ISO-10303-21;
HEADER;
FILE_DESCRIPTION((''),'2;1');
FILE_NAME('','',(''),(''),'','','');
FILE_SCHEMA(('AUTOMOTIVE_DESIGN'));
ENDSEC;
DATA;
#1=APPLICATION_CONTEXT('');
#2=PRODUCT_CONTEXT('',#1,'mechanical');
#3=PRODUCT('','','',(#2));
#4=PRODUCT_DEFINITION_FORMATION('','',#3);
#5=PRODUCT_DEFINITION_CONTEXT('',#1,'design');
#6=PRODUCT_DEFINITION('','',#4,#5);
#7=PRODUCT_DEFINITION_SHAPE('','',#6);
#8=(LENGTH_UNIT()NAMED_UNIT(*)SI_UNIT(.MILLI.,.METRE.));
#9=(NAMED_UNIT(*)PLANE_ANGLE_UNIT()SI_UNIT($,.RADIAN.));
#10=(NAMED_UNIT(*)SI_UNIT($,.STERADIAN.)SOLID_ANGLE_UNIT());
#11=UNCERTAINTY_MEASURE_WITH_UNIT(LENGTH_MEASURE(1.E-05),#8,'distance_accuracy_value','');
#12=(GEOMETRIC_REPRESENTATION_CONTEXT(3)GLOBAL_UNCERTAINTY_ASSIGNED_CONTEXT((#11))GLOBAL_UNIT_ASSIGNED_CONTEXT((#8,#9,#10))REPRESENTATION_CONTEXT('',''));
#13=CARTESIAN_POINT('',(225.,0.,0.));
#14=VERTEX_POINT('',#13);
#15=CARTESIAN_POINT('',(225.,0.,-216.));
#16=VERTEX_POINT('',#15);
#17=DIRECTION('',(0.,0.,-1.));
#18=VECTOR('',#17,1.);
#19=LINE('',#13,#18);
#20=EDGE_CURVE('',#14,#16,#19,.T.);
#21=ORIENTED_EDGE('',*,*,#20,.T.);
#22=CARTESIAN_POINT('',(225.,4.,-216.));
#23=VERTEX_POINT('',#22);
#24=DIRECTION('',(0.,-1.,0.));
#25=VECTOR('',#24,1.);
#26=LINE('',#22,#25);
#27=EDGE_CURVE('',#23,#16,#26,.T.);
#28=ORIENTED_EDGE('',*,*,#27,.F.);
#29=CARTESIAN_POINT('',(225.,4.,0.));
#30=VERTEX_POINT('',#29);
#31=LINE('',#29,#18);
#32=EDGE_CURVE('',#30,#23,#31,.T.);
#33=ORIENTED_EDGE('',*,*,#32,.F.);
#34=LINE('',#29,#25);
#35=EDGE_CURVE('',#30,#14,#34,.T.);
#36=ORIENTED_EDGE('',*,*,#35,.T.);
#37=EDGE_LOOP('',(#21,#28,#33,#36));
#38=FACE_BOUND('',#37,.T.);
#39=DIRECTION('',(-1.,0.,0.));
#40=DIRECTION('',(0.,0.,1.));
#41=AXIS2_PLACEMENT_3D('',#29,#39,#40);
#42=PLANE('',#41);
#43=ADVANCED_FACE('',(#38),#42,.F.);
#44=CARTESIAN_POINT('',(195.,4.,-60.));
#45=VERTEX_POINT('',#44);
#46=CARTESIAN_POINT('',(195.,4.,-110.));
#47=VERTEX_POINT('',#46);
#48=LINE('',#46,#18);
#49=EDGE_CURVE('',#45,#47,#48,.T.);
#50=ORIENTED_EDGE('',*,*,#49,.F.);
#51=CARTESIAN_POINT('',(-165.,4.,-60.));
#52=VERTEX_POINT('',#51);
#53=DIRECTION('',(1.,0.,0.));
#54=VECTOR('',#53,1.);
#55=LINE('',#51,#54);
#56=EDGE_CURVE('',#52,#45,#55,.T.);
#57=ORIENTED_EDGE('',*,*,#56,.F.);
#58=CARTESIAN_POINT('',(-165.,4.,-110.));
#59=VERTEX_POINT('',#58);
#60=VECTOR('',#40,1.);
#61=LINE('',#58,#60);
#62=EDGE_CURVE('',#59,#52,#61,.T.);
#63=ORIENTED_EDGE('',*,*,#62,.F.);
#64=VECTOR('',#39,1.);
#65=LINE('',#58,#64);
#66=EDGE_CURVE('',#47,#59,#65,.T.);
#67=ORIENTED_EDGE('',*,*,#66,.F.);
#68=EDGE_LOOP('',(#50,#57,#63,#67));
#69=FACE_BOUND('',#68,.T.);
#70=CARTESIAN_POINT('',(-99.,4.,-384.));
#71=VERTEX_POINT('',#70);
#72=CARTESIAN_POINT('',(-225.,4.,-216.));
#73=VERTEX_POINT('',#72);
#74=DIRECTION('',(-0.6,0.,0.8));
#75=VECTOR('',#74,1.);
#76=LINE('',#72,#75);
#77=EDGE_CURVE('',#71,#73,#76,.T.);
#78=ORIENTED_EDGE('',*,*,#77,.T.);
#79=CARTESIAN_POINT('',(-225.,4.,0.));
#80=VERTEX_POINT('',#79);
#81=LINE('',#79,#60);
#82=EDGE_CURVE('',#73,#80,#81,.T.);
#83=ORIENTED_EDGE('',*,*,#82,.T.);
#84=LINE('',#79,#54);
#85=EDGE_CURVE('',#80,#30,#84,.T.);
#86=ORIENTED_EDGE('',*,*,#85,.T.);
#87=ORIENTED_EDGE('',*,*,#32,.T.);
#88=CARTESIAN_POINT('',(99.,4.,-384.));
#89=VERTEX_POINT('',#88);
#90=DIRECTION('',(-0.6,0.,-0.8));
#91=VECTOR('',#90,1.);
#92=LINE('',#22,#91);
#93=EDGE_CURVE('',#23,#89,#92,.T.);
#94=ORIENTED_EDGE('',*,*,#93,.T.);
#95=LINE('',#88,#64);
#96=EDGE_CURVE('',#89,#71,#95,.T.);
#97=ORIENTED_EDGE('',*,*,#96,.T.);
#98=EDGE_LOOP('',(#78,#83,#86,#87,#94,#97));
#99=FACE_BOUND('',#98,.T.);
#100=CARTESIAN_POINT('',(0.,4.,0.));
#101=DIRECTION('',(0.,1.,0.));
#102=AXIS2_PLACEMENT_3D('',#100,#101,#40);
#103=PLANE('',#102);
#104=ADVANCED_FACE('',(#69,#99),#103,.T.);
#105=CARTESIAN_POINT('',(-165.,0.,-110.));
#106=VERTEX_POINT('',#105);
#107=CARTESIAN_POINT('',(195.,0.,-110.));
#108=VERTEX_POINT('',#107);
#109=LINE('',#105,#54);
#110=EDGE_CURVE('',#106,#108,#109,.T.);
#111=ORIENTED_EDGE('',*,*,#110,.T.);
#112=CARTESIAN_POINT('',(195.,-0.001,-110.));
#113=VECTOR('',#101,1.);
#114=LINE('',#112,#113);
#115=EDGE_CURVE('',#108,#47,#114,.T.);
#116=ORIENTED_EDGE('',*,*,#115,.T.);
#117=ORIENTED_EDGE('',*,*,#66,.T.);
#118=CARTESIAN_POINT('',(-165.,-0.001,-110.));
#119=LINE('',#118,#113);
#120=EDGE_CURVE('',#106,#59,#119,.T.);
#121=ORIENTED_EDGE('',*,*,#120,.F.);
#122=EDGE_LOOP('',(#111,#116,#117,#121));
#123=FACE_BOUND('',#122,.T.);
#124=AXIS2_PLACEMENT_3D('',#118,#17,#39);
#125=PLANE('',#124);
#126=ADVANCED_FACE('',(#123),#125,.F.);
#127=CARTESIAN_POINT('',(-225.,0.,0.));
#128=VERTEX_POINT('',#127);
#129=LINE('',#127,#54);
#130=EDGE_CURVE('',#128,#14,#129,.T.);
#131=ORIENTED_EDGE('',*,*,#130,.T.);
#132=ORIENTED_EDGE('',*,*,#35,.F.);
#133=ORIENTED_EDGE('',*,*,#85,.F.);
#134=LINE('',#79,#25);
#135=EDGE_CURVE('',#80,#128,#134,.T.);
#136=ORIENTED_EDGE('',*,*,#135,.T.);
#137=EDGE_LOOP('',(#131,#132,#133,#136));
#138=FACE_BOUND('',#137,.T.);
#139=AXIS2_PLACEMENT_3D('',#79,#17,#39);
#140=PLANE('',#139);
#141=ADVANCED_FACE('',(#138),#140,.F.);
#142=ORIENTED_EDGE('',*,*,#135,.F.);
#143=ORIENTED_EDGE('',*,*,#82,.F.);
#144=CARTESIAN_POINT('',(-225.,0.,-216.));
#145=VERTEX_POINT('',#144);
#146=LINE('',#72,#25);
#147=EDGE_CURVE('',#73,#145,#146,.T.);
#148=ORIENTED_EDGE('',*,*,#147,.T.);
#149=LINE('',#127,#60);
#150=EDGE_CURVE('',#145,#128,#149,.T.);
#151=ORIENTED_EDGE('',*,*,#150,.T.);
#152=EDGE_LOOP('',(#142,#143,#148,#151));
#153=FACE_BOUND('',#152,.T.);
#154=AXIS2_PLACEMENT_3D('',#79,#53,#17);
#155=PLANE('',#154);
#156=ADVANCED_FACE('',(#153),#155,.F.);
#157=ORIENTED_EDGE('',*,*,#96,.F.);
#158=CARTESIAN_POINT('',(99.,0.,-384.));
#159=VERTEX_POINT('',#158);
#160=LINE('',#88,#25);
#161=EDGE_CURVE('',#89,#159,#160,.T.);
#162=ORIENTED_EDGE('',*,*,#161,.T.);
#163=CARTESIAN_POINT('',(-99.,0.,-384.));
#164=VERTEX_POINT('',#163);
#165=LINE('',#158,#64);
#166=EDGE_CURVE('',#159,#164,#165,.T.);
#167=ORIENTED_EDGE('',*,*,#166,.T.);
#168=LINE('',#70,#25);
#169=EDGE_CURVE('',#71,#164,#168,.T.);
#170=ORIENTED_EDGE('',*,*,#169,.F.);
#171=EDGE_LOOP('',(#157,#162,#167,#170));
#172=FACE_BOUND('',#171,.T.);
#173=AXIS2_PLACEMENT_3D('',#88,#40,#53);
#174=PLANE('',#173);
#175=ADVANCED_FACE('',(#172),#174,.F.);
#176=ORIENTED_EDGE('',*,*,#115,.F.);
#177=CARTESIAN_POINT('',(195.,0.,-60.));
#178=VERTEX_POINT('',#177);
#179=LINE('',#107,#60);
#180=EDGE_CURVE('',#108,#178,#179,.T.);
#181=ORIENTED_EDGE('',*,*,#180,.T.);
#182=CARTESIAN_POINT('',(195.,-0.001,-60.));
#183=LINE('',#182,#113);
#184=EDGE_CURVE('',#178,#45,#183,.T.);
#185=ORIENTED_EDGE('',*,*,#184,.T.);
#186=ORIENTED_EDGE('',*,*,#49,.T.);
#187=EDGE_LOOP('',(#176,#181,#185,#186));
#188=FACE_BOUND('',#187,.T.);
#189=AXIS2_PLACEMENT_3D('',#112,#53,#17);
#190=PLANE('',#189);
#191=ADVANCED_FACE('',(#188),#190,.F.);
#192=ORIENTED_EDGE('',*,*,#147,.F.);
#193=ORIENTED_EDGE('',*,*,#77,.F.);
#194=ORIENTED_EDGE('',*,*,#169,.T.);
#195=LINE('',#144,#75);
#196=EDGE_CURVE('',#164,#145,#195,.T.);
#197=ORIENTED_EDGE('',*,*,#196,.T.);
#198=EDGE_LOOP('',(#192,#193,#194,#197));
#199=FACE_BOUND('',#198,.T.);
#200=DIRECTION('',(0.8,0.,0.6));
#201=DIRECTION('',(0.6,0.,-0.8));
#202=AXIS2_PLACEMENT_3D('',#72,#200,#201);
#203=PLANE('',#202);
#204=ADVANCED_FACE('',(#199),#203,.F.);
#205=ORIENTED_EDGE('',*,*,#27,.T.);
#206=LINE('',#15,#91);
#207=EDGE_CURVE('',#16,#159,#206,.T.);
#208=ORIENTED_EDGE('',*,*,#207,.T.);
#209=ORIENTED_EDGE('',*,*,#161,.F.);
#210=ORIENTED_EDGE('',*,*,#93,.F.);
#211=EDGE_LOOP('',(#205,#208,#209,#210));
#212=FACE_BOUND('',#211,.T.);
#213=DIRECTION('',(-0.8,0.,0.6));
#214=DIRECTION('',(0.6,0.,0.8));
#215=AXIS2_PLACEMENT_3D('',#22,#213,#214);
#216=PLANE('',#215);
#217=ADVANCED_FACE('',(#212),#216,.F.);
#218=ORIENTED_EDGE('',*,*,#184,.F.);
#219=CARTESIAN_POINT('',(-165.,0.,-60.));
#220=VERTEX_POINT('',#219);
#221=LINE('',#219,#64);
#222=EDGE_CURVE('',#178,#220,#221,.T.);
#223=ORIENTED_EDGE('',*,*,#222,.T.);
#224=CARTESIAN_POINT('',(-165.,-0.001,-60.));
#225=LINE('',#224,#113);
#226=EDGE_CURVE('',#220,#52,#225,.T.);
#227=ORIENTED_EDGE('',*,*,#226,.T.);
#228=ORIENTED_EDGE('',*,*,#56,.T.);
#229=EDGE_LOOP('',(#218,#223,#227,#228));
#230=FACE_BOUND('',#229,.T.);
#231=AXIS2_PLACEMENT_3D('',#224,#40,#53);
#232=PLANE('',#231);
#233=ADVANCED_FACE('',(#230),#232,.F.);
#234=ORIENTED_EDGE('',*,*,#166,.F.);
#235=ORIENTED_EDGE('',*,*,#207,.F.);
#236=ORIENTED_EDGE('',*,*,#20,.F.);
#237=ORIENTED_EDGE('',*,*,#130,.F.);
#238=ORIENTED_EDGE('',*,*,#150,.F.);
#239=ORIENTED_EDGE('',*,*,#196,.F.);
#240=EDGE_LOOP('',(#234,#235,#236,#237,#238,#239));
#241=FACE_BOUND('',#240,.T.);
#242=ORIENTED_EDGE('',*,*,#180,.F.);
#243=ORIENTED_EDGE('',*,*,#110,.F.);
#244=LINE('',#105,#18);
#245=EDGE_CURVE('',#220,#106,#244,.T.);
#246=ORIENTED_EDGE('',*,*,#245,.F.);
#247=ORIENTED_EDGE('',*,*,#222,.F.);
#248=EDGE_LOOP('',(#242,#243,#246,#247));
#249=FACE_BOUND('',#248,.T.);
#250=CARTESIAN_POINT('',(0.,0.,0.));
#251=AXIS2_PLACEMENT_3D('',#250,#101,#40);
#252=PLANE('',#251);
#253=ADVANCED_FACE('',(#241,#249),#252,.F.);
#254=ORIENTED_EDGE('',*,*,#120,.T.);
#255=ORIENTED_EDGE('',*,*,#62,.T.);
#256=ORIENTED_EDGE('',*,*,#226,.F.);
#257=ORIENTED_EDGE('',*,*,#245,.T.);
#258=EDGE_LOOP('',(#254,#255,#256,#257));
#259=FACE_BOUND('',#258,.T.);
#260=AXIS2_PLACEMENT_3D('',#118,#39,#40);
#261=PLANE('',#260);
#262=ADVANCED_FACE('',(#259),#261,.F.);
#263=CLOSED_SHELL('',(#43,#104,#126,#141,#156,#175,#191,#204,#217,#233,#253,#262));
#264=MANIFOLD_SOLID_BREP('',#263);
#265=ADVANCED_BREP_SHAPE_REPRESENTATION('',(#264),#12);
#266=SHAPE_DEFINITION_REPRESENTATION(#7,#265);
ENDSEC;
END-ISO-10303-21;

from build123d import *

# Parameters (mm, degrees)
EXTRUDE_1_DEPTH     = 4
CUT_EXTRUDE_1_REACH = 447.081
SKETCH_2_W          = 360
SKETCH_2_H          = 50


with BuildPart() as part:
    # 草图1 → 凸台-拉伸1 (new body)
    with BuildSketch(Plane(origin=(0, 0, 0), x_dir=(1, 0, 0), z_dir=(0, 1, 0))):
        Polygon((-225, 0), (225, 0), (225, 216), (99, 384), (-99, 384), (-225, 216), align=None)
    extrude(amount=EXTRUDE_1_DEPTH)

    # 草图2 → 切除-拉伸1 (cut, up to next)
    with BuildSketch(Plane(origin=(0, 4, 0), x_dir=(1, 0, 0), z_dir=(0, 1, 0)), mode=Mode.PRIVATE) as cut_extrude_1_sk1:
        with Locations((15, 85)):
            Rectangle(SKETCH_2_W, SKETCH_2_H)
    cut_extrude_1_tool1 = extrude(cut_extrude_1_sk1.sketch, amount=-CUT_EXTRUDE_1_REACH, mode=Mode.PRIVATE) & part.part
    add(cut_extrude_1_tool1.solids().sort_by_distance((15, 4, -85))[0], mode=Mode.SUBTRACT)


solid = part.part
